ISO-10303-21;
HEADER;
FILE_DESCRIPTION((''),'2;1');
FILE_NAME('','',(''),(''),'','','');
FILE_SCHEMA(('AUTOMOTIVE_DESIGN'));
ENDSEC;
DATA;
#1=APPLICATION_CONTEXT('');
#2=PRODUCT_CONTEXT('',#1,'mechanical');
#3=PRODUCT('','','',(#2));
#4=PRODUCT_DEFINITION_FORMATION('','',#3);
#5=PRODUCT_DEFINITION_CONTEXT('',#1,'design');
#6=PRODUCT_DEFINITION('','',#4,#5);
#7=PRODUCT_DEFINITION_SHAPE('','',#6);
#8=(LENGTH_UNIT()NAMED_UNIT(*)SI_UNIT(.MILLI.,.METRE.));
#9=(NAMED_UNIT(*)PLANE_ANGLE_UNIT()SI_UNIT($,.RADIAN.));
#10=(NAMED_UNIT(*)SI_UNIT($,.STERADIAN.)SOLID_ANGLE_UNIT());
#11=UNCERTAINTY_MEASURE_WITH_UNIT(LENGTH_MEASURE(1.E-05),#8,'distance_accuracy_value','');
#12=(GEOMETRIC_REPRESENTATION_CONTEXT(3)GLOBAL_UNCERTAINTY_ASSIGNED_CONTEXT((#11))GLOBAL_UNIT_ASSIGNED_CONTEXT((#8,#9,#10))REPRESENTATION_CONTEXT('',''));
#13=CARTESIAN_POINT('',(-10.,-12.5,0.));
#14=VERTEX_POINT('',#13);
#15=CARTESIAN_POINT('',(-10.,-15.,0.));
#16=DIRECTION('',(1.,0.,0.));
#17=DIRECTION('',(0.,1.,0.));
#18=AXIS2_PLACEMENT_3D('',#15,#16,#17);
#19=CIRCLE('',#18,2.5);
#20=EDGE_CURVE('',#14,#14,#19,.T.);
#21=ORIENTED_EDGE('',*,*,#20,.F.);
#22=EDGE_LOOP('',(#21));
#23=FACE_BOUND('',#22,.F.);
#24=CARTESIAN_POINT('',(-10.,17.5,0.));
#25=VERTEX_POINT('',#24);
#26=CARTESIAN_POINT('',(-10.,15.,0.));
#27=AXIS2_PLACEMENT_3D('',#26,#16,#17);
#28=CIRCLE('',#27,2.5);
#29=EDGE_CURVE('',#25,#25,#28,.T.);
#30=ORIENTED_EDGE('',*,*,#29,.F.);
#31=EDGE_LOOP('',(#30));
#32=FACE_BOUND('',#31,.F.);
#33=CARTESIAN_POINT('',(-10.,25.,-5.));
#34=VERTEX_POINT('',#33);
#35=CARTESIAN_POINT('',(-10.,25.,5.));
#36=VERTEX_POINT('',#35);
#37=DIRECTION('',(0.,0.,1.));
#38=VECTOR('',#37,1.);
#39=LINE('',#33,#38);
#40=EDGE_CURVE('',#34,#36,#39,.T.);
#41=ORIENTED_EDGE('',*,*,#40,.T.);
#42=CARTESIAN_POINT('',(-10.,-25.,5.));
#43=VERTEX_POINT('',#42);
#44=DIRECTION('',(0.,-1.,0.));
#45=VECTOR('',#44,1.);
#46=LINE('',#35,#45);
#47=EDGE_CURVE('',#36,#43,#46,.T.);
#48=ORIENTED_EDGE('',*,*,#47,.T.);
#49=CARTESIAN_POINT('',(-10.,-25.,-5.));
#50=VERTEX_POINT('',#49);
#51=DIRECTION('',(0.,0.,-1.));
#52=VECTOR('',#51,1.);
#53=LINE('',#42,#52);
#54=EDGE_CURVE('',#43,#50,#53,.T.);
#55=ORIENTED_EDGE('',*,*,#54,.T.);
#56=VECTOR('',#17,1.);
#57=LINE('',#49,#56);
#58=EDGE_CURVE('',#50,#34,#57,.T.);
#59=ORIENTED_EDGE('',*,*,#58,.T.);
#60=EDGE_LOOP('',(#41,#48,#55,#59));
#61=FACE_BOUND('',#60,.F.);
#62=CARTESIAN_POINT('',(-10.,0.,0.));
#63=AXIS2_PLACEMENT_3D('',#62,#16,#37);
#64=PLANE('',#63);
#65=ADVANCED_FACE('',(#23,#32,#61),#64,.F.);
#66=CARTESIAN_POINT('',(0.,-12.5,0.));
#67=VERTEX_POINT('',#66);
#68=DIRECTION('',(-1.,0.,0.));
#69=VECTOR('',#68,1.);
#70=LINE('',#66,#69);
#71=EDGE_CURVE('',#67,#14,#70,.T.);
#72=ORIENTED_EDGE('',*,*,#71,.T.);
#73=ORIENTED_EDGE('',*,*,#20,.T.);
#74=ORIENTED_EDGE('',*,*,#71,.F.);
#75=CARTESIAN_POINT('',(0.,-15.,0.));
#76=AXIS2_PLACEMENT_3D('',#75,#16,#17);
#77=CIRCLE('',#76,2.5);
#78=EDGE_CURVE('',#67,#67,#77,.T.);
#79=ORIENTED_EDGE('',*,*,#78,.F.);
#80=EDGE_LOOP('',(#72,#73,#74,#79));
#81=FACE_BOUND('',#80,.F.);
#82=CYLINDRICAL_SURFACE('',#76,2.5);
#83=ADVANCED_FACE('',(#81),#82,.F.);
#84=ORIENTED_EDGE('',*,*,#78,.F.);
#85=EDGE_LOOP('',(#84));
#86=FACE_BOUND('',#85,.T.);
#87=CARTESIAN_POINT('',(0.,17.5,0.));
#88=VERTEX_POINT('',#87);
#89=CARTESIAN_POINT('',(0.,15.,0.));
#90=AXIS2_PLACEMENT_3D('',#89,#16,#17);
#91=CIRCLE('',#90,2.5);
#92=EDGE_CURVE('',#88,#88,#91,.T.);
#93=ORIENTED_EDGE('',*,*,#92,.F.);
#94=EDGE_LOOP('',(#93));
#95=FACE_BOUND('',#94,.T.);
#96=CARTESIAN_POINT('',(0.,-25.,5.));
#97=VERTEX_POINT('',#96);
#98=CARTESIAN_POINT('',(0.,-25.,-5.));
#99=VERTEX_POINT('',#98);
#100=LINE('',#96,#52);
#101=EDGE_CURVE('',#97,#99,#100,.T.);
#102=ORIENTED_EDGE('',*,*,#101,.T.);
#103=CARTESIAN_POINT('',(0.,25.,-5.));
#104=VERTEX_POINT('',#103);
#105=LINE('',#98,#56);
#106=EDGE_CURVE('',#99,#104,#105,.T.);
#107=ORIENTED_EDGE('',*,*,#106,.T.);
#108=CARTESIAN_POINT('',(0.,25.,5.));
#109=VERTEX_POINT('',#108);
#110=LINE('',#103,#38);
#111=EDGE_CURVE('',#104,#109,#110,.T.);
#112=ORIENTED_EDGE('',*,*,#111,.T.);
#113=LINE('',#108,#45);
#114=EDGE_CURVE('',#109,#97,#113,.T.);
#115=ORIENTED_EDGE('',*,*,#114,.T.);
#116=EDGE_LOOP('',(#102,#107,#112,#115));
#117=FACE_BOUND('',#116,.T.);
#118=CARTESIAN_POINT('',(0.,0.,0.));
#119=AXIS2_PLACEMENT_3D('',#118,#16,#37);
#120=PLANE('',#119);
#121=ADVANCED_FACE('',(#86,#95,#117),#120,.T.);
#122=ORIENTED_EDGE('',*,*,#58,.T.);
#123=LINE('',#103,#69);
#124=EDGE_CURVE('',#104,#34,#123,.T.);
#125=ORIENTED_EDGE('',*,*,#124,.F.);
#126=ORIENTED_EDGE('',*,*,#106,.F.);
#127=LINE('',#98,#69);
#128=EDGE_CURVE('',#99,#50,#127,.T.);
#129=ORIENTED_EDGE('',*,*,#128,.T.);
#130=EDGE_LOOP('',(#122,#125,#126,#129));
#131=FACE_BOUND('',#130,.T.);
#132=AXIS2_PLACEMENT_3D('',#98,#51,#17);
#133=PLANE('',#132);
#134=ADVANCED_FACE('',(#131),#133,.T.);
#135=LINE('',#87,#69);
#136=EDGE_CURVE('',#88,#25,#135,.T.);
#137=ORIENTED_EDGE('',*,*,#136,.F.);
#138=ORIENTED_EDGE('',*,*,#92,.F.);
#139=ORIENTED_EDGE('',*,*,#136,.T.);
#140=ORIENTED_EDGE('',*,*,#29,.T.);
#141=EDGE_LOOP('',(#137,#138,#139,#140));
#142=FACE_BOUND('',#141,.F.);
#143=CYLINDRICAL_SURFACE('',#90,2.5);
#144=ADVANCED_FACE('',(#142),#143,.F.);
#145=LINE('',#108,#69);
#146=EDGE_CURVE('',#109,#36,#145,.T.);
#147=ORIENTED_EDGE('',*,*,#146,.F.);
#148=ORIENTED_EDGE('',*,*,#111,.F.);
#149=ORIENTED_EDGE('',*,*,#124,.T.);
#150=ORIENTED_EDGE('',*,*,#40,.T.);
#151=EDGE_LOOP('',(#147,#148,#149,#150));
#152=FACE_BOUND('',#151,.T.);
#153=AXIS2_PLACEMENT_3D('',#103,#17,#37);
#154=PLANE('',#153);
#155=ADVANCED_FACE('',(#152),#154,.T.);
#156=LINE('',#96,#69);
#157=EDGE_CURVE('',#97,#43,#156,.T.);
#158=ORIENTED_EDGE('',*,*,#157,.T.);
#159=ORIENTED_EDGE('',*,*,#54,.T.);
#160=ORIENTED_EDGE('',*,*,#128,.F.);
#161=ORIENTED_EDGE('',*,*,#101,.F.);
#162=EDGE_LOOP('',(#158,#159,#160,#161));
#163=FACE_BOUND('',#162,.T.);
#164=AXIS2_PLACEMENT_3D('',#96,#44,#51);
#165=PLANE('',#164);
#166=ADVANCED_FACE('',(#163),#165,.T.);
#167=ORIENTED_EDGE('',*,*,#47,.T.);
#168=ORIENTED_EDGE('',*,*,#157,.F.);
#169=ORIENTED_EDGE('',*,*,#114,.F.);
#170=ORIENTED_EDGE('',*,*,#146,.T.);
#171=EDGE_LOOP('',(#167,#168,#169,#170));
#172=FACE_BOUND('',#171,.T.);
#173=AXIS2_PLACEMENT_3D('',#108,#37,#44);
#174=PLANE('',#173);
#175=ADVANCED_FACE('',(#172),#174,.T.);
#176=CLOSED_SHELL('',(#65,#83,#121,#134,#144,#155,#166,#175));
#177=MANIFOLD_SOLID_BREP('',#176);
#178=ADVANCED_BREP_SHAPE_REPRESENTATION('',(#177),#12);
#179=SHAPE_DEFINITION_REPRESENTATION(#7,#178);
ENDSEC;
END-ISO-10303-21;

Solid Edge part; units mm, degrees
sketch "Sketch1" plane through (0, 0, 0) normal (1, 0, 0) x (0, 1, 0)
  line L0 (-25, -5) -> (25, -5)
  line L1 (25, -5) -> (25, 5)
  line L2 (25, 5) -> (-25, 5)
  line L3 (-25, 5) -> (-25, -5)
  circle A0 centre (-15, 0) radius 2.5
  circle A1 centre (15, 0) radius 2.5
  dimension "D1" = 5
  dimension "D2" = 10
  dimension "D3" = 50
  dimension "D4" = 10
extrude "Protrusion1" add sketch "Sketch1" against normal blind 10
properties material "Acier"
